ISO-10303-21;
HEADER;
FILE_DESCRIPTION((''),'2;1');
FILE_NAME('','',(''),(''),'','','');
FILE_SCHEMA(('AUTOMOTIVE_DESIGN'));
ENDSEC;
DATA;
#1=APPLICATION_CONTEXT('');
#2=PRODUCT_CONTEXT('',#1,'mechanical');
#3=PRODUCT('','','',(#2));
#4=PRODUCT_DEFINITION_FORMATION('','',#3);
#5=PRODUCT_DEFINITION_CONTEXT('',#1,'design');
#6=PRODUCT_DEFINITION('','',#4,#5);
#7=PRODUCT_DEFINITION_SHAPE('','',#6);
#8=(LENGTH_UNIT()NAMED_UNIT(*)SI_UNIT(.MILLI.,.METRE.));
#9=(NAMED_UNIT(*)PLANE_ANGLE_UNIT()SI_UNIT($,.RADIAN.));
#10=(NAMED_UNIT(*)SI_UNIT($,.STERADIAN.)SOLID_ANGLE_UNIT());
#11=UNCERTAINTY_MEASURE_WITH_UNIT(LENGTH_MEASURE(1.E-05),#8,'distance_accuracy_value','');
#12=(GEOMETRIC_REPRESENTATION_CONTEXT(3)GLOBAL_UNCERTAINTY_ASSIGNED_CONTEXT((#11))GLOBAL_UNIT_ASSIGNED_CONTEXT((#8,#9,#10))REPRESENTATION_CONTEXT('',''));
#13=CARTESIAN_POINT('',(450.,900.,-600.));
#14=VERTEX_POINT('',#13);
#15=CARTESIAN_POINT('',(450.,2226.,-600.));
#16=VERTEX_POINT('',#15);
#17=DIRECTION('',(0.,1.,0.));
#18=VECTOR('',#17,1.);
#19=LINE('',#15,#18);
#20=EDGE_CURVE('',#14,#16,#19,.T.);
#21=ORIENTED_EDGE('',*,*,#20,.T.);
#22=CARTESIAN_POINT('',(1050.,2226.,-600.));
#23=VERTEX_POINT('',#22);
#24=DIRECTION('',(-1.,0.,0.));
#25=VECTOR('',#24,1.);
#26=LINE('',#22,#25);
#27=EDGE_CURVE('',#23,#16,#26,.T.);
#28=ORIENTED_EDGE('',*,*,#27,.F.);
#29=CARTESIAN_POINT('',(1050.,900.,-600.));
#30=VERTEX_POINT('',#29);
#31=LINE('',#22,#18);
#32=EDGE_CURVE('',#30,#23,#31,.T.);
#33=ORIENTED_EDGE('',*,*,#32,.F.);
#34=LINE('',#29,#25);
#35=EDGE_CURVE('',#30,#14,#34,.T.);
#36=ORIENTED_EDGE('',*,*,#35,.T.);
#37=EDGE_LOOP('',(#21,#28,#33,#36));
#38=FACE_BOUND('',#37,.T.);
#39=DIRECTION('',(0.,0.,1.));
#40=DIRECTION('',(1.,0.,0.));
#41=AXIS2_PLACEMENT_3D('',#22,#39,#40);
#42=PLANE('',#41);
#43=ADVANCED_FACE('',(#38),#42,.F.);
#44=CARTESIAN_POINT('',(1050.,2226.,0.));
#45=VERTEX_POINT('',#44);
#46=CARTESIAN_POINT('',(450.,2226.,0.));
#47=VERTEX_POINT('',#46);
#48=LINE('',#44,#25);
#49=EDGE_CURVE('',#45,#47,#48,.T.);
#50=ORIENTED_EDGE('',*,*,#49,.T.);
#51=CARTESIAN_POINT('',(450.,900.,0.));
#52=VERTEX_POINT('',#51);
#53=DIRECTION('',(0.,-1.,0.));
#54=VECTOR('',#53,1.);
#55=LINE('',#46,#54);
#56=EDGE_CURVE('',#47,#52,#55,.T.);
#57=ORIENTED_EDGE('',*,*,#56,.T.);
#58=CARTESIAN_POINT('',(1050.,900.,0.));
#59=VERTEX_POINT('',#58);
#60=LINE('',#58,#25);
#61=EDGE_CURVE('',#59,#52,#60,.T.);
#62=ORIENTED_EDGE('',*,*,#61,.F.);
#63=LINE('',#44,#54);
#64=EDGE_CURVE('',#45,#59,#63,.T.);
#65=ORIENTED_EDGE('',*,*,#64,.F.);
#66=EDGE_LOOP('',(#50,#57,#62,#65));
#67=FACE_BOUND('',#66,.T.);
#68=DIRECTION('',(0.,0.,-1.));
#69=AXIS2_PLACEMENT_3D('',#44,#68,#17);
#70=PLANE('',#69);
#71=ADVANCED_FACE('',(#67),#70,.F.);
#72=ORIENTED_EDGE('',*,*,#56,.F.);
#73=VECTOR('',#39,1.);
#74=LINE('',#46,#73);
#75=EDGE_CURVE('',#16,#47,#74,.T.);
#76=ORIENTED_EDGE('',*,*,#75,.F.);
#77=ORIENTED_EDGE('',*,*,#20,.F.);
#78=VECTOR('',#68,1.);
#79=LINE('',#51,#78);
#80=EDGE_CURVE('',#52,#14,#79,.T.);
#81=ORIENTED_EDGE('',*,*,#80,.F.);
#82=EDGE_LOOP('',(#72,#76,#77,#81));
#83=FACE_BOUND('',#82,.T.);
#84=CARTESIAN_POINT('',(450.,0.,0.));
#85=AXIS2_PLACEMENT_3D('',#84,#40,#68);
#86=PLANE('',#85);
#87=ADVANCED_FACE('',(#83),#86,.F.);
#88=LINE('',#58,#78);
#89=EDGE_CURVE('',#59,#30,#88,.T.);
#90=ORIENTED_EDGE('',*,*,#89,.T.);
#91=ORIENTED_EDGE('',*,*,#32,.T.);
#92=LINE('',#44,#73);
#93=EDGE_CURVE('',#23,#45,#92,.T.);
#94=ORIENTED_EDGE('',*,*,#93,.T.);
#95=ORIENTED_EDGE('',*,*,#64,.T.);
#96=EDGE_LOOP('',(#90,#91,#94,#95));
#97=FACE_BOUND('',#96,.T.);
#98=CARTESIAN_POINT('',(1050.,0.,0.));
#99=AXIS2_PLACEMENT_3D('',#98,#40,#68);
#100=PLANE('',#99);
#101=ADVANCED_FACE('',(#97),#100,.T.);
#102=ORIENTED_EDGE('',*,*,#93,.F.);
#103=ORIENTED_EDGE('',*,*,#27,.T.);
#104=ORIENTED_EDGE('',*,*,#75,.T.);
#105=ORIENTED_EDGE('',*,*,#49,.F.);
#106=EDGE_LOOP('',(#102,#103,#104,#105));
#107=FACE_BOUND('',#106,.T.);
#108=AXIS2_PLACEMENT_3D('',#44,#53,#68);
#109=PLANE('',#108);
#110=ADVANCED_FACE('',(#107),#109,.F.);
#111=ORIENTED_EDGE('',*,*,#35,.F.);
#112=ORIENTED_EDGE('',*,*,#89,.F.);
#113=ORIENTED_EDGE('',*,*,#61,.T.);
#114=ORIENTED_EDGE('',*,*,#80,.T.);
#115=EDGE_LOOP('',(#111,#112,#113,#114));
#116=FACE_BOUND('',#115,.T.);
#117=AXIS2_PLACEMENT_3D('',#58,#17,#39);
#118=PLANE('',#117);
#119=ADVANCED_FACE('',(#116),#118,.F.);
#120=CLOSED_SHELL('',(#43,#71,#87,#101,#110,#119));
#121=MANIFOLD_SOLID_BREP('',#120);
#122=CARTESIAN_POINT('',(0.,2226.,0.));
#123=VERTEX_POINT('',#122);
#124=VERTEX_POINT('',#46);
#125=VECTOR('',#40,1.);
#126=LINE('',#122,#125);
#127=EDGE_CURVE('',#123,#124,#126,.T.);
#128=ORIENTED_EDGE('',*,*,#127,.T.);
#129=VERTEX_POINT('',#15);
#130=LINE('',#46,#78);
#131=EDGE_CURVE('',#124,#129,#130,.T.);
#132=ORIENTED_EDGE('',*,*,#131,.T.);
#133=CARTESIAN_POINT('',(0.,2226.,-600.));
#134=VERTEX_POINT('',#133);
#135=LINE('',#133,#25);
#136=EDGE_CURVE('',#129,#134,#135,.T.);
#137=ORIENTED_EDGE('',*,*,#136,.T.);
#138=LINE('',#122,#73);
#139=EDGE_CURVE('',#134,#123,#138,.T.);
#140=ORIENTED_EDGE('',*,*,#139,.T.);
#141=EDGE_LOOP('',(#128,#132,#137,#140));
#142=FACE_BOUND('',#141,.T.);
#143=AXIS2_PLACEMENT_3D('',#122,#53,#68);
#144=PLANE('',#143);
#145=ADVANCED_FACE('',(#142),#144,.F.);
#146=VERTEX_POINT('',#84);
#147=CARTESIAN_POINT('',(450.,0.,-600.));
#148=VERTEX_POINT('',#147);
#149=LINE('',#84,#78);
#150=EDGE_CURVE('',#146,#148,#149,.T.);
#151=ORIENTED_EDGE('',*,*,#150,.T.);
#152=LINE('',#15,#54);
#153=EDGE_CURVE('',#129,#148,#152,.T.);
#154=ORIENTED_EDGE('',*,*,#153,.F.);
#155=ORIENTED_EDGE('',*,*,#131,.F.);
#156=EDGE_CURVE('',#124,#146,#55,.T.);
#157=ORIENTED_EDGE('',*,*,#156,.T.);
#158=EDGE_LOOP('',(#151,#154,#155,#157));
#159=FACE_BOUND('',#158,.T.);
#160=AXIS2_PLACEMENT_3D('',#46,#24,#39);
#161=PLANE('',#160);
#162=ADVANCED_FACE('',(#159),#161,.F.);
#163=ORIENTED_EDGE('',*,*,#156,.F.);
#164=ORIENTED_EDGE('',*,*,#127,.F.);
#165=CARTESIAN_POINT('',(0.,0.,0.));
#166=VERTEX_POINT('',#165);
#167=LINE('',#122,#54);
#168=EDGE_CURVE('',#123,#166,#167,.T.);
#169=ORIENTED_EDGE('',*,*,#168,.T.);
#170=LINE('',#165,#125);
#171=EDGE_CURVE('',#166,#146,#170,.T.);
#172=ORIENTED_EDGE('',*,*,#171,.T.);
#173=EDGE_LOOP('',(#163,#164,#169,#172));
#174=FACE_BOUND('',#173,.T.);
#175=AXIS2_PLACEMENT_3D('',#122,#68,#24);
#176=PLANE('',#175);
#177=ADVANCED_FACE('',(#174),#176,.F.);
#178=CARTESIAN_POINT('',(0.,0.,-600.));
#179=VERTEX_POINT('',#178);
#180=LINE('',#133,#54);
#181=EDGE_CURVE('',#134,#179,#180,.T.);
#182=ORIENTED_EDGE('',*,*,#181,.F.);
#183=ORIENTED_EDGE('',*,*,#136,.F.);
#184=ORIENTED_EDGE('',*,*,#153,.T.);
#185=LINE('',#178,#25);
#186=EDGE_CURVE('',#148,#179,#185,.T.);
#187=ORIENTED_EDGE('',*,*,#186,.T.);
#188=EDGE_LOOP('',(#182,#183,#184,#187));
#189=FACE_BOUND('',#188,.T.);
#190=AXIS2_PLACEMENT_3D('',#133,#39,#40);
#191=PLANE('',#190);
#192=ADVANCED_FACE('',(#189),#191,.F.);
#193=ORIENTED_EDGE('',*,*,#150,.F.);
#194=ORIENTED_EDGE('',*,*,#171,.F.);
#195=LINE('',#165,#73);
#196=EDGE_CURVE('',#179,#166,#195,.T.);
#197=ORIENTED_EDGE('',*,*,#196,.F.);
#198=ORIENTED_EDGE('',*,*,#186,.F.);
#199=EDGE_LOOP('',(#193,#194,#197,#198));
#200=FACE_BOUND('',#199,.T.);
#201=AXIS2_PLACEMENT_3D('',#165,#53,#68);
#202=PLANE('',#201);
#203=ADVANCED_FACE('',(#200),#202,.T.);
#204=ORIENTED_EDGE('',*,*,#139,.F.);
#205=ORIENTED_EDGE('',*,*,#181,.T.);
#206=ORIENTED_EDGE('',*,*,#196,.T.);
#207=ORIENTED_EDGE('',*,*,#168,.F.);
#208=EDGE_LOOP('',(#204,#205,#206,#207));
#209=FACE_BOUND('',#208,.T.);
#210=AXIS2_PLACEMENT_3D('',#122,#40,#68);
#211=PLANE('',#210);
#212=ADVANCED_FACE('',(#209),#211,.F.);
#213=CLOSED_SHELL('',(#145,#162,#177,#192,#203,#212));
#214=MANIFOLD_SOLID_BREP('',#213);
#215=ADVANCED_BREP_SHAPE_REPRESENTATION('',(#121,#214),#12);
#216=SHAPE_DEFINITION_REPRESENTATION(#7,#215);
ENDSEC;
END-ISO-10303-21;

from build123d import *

# Parameters (mm, degrees)
SKETCH_1_W      = 450
SKETCH_1_H      = 600
EXTRUDE_1_DEPTH = 2226
SKETCH_2_W      = 600
SKETCH_2_H      = 1326
EXTRUDE_2_DEPTH = 600


with BuildPart() as part:
    # Эскиз1 → Бобышка-Вытянуть1 (new body)
    with BuildSketch(Plane(origin=(0, 0, 0), x_dir=(1, 0, 0), z_dir=(0, 1, 0))):
        with Locations((225, 300)):
            Rectangle(SKETCH_1_W, SKETCH_1_H)
    extrude(amount=EXTRUDE_1_DEPTH)


with BuildPart() as body_2:
    # Эскиз2 → Бобышка-Вытянуть2 (new body)
    with BuildSketch(Plane(origin=(450, 0, 0), x_dir=(0, 0, -1), z_dir=(1, 0, 0))):
        with Locations((300, 1563)):
            Rectangle(SKETCH_2_W, SKETCH_2_H)
    extrude(amount=EXTRUDE_2_DEPTH)


solid = Compound([part.part, body_2.part])
